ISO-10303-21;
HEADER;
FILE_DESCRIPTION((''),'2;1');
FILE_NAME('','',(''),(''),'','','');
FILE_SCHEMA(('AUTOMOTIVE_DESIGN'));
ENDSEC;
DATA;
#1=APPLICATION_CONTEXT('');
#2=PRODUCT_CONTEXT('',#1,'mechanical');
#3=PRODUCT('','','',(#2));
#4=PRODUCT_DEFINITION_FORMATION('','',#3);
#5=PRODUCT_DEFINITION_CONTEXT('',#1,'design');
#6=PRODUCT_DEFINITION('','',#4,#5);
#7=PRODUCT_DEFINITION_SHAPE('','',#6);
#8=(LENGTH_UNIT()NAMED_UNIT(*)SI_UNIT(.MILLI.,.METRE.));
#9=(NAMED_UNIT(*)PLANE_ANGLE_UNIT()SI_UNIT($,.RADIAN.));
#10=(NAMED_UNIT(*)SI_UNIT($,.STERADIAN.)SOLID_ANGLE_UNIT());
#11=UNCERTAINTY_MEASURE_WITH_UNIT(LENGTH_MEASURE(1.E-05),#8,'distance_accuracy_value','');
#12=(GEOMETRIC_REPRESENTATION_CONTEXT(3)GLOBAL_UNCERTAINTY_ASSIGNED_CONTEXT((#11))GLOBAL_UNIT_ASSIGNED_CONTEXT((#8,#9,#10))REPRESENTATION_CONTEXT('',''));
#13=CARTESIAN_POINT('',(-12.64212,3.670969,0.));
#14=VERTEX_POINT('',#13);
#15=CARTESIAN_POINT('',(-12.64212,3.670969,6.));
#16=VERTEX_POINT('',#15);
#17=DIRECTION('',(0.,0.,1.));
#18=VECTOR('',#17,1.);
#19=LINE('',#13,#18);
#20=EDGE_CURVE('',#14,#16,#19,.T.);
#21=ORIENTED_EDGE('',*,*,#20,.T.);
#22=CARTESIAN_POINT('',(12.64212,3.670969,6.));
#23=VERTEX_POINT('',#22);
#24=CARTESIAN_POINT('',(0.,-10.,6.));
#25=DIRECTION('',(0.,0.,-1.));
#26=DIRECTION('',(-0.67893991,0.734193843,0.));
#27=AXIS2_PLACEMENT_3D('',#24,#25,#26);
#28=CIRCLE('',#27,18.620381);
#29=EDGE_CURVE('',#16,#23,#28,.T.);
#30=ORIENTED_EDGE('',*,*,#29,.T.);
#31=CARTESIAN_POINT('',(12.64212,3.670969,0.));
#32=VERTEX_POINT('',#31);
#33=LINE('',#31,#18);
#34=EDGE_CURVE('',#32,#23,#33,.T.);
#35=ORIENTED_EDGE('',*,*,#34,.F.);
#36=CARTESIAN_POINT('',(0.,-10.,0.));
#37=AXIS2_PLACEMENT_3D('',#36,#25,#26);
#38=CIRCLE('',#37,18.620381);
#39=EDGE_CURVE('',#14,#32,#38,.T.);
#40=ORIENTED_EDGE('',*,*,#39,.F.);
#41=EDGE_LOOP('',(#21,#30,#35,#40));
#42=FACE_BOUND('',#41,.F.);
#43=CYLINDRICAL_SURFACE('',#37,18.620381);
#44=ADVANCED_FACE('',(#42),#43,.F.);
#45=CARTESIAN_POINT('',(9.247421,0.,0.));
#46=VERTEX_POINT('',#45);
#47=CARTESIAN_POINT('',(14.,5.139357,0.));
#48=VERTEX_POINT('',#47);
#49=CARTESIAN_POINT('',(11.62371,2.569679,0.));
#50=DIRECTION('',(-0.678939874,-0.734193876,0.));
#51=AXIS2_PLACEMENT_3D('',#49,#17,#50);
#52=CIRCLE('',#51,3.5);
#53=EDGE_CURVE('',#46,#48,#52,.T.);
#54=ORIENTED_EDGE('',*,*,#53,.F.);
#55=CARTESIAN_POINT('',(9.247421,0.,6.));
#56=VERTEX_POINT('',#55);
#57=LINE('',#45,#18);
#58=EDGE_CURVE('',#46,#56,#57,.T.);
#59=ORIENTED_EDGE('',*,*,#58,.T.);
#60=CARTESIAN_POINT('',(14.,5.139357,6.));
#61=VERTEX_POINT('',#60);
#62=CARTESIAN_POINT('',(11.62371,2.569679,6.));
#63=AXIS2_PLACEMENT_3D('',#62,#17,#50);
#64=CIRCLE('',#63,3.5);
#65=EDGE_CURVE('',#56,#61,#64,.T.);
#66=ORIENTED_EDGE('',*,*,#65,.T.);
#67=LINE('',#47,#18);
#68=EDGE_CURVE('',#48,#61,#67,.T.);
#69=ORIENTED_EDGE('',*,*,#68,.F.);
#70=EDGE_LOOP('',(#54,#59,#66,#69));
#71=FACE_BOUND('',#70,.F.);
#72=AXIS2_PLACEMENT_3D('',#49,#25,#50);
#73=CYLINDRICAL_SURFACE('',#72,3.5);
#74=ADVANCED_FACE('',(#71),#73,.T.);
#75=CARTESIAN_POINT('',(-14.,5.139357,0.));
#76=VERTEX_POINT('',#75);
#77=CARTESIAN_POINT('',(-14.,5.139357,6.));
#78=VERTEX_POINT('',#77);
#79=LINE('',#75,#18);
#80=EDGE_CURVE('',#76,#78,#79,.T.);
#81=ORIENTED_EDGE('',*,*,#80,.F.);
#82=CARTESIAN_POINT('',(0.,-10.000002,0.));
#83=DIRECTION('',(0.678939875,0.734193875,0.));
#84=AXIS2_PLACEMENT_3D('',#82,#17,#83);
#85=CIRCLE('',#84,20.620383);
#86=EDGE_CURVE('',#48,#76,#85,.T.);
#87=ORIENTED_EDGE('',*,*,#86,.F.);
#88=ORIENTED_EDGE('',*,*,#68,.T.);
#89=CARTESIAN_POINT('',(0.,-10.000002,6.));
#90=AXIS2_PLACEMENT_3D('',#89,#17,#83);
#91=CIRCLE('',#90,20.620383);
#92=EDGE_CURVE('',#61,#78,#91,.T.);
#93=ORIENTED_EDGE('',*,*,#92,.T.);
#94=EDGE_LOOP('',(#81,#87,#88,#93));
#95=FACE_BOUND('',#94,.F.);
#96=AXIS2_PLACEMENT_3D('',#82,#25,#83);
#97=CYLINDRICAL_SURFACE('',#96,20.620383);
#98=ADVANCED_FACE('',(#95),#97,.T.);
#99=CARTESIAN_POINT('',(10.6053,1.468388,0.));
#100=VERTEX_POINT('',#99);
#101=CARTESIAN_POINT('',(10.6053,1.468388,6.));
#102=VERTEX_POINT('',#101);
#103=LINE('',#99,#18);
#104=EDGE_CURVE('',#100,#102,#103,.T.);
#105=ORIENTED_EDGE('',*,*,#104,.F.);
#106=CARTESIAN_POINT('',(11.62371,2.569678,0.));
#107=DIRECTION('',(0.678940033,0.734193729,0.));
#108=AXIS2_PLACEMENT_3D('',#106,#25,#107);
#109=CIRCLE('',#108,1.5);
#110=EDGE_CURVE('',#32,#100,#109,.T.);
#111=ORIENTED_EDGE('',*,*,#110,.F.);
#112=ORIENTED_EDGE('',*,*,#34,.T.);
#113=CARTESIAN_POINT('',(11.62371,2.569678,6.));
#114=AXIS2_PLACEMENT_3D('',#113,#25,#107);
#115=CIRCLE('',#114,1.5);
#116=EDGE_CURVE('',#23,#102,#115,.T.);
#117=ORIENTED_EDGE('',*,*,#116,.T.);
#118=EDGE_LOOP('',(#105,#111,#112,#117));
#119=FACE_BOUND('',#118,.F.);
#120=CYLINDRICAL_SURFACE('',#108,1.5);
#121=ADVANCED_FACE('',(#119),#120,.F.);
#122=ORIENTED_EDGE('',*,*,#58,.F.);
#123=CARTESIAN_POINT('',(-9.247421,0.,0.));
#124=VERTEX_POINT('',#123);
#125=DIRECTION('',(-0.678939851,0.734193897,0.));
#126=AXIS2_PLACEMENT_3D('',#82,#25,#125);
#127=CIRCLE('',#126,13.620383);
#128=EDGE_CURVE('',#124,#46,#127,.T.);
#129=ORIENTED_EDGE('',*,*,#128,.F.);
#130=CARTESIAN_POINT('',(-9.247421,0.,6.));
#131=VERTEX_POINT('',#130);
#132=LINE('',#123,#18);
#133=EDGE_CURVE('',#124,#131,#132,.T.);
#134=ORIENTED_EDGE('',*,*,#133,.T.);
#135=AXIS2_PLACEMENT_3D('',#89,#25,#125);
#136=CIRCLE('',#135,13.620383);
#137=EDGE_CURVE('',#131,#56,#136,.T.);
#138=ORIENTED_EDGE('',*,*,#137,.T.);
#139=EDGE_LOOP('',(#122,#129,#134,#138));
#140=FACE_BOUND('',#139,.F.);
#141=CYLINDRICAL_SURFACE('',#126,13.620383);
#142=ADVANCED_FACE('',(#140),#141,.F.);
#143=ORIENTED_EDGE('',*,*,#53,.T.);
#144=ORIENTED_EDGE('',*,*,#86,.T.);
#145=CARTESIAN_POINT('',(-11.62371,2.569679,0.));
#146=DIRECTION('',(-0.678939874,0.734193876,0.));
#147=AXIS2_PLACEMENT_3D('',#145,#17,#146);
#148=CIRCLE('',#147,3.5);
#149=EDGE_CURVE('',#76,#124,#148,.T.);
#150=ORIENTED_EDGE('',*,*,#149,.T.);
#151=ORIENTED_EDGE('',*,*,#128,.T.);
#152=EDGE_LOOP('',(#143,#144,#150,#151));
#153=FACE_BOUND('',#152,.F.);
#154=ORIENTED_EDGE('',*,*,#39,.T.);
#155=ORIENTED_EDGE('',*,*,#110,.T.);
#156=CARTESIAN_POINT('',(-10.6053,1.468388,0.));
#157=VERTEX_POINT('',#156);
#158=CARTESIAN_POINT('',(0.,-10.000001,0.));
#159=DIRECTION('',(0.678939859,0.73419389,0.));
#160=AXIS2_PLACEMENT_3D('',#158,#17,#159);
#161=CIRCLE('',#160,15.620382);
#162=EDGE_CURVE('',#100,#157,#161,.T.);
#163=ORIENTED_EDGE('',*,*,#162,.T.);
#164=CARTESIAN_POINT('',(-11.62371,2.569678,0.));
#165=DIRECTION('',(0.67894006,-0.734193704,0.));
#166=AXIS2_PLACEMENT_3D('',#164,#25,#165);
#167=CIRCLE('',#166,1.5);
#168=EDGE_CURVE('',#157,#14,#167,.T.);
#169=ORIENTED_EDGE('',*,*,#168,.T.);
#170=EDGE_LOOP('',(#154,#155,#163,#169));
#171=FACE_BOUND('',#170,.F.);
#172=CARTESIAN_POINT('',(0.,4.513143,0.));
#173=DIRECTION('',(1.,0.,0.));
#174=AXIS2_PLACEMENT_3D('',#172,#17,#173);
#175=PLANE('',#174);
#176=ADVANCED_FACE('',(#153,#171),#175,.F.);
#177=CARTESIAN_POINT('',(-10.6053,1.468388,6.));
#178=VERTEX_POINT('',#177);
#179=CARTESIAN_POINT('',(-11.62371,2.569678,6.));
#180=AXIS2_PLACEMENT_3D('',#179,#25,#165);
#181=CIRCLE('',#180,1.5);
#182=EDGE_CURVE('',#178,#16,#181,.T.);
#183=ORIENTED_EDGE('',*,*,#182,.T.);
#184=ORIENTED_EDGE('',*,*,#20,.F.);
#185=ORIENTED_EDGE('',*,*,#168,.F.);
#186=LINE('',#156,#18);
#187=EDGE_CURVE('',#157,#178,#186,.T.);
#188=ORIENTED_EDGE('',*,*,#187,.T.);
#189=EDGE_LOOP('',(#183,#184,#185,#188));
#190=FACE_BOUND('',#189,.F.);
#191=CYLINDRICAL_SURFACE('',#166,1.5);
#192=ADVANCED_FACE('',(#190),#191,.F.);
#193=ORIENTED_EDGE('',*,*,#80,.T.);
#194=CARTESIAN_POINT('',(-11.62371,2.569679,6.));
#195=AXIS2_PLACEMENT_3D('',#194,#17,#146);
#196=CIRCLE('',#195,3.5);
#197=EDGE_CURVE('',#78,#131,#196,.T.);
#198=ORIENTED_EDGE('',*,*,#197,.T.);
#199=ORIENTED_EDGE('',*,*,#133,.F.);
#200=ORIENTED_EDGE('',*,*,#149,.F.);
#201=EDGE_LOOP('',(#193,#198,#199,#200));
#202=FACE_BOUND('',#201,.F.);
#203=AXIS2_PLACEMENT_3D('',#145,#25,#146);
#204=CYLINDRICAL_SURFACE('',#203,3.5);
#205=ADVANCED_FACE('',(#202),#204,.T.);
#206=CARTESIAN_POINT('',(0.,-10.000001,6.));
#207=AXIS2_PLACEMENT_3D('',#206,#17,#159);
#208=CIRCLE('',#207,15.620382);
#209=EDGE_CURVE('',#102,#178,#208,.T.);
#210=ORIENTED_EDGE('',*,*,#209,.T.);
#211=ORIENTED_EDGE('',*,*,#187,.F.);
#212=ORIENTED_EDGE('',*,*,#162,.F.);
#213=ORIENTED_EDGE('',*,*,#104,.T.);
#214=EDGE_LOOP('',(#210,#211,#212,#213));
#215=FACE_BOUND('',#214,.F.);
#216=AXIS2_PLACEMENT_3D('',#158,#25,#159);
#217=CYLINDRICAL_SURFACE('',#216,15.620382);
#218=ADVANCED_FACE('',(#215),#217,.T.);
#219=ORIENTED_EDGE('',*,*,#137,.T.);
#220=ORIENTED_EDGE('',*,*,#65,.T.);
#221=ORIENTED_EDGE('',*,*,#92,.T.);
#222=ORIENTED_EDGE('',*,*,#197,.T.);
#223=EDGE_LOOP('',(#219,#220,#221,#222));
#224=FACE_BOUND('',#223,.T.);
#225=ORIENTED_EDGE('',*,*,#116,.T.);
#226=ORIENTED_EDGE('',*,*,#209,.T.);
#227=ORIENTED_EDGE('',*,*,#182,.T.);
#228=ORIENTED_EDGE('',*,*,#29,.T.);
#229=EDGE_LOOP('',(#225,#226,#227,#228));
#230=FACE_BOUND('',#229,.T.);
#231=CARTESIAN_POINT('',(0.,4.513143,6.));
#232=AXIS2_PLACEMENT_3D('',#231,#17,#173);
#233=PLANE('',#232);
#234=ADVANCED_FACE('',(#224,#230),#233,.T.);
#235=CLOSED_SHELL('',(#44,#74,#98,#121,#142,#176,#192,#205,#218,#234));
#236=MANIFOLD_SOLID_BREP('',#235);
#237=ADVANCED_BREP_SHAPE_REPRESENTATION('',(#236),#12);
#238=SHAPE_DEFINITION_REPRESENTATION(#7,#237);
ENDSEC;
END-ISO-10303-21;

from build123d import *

# Parameters (mm, degrees)
F1_DEPTH = 6


with BuildPart() as f1:
    # F0 (on Top) → F1 (new body)
    with BuildSketch(Plane.XY):
        with BuildLine():
            ThreePointArc((-9.247421, 0), (0, 3.620381), (9.247421, 0))
            ThreePointArc((9.247421, 0), (14.193389, 0.193389), (14, 5.139357))
            ThreePointArc((14, 5.139357), (0, 10.620381), (-14, 5.139357))
            ThreePointArc((-14, 5.139357), (-14.193389, 0.193389), (-9.247421, 0))
        make_face()
        with BuildLine():
            ThreePointArc((-12.64212, 3.670969), (0, 8.620381), (12.64212, 3.670969))
            ThreePointArc((12.64212, 3.670969), (12.725001, 1.551269), (10.6053, 1.468388))
            ThreePointArc((10.6053, 1.468388), (0, 5.620381), (-10.6053, 1.468388))
            ThreePointArc((-10.6053, 1.468388), (-12.725001, 1.551269), (-12.64212, 3.670969))
        make_face(mode=Mode.SUBTRACT)
    extrude(amount=F1_DEPTH)


solid = f1.part
